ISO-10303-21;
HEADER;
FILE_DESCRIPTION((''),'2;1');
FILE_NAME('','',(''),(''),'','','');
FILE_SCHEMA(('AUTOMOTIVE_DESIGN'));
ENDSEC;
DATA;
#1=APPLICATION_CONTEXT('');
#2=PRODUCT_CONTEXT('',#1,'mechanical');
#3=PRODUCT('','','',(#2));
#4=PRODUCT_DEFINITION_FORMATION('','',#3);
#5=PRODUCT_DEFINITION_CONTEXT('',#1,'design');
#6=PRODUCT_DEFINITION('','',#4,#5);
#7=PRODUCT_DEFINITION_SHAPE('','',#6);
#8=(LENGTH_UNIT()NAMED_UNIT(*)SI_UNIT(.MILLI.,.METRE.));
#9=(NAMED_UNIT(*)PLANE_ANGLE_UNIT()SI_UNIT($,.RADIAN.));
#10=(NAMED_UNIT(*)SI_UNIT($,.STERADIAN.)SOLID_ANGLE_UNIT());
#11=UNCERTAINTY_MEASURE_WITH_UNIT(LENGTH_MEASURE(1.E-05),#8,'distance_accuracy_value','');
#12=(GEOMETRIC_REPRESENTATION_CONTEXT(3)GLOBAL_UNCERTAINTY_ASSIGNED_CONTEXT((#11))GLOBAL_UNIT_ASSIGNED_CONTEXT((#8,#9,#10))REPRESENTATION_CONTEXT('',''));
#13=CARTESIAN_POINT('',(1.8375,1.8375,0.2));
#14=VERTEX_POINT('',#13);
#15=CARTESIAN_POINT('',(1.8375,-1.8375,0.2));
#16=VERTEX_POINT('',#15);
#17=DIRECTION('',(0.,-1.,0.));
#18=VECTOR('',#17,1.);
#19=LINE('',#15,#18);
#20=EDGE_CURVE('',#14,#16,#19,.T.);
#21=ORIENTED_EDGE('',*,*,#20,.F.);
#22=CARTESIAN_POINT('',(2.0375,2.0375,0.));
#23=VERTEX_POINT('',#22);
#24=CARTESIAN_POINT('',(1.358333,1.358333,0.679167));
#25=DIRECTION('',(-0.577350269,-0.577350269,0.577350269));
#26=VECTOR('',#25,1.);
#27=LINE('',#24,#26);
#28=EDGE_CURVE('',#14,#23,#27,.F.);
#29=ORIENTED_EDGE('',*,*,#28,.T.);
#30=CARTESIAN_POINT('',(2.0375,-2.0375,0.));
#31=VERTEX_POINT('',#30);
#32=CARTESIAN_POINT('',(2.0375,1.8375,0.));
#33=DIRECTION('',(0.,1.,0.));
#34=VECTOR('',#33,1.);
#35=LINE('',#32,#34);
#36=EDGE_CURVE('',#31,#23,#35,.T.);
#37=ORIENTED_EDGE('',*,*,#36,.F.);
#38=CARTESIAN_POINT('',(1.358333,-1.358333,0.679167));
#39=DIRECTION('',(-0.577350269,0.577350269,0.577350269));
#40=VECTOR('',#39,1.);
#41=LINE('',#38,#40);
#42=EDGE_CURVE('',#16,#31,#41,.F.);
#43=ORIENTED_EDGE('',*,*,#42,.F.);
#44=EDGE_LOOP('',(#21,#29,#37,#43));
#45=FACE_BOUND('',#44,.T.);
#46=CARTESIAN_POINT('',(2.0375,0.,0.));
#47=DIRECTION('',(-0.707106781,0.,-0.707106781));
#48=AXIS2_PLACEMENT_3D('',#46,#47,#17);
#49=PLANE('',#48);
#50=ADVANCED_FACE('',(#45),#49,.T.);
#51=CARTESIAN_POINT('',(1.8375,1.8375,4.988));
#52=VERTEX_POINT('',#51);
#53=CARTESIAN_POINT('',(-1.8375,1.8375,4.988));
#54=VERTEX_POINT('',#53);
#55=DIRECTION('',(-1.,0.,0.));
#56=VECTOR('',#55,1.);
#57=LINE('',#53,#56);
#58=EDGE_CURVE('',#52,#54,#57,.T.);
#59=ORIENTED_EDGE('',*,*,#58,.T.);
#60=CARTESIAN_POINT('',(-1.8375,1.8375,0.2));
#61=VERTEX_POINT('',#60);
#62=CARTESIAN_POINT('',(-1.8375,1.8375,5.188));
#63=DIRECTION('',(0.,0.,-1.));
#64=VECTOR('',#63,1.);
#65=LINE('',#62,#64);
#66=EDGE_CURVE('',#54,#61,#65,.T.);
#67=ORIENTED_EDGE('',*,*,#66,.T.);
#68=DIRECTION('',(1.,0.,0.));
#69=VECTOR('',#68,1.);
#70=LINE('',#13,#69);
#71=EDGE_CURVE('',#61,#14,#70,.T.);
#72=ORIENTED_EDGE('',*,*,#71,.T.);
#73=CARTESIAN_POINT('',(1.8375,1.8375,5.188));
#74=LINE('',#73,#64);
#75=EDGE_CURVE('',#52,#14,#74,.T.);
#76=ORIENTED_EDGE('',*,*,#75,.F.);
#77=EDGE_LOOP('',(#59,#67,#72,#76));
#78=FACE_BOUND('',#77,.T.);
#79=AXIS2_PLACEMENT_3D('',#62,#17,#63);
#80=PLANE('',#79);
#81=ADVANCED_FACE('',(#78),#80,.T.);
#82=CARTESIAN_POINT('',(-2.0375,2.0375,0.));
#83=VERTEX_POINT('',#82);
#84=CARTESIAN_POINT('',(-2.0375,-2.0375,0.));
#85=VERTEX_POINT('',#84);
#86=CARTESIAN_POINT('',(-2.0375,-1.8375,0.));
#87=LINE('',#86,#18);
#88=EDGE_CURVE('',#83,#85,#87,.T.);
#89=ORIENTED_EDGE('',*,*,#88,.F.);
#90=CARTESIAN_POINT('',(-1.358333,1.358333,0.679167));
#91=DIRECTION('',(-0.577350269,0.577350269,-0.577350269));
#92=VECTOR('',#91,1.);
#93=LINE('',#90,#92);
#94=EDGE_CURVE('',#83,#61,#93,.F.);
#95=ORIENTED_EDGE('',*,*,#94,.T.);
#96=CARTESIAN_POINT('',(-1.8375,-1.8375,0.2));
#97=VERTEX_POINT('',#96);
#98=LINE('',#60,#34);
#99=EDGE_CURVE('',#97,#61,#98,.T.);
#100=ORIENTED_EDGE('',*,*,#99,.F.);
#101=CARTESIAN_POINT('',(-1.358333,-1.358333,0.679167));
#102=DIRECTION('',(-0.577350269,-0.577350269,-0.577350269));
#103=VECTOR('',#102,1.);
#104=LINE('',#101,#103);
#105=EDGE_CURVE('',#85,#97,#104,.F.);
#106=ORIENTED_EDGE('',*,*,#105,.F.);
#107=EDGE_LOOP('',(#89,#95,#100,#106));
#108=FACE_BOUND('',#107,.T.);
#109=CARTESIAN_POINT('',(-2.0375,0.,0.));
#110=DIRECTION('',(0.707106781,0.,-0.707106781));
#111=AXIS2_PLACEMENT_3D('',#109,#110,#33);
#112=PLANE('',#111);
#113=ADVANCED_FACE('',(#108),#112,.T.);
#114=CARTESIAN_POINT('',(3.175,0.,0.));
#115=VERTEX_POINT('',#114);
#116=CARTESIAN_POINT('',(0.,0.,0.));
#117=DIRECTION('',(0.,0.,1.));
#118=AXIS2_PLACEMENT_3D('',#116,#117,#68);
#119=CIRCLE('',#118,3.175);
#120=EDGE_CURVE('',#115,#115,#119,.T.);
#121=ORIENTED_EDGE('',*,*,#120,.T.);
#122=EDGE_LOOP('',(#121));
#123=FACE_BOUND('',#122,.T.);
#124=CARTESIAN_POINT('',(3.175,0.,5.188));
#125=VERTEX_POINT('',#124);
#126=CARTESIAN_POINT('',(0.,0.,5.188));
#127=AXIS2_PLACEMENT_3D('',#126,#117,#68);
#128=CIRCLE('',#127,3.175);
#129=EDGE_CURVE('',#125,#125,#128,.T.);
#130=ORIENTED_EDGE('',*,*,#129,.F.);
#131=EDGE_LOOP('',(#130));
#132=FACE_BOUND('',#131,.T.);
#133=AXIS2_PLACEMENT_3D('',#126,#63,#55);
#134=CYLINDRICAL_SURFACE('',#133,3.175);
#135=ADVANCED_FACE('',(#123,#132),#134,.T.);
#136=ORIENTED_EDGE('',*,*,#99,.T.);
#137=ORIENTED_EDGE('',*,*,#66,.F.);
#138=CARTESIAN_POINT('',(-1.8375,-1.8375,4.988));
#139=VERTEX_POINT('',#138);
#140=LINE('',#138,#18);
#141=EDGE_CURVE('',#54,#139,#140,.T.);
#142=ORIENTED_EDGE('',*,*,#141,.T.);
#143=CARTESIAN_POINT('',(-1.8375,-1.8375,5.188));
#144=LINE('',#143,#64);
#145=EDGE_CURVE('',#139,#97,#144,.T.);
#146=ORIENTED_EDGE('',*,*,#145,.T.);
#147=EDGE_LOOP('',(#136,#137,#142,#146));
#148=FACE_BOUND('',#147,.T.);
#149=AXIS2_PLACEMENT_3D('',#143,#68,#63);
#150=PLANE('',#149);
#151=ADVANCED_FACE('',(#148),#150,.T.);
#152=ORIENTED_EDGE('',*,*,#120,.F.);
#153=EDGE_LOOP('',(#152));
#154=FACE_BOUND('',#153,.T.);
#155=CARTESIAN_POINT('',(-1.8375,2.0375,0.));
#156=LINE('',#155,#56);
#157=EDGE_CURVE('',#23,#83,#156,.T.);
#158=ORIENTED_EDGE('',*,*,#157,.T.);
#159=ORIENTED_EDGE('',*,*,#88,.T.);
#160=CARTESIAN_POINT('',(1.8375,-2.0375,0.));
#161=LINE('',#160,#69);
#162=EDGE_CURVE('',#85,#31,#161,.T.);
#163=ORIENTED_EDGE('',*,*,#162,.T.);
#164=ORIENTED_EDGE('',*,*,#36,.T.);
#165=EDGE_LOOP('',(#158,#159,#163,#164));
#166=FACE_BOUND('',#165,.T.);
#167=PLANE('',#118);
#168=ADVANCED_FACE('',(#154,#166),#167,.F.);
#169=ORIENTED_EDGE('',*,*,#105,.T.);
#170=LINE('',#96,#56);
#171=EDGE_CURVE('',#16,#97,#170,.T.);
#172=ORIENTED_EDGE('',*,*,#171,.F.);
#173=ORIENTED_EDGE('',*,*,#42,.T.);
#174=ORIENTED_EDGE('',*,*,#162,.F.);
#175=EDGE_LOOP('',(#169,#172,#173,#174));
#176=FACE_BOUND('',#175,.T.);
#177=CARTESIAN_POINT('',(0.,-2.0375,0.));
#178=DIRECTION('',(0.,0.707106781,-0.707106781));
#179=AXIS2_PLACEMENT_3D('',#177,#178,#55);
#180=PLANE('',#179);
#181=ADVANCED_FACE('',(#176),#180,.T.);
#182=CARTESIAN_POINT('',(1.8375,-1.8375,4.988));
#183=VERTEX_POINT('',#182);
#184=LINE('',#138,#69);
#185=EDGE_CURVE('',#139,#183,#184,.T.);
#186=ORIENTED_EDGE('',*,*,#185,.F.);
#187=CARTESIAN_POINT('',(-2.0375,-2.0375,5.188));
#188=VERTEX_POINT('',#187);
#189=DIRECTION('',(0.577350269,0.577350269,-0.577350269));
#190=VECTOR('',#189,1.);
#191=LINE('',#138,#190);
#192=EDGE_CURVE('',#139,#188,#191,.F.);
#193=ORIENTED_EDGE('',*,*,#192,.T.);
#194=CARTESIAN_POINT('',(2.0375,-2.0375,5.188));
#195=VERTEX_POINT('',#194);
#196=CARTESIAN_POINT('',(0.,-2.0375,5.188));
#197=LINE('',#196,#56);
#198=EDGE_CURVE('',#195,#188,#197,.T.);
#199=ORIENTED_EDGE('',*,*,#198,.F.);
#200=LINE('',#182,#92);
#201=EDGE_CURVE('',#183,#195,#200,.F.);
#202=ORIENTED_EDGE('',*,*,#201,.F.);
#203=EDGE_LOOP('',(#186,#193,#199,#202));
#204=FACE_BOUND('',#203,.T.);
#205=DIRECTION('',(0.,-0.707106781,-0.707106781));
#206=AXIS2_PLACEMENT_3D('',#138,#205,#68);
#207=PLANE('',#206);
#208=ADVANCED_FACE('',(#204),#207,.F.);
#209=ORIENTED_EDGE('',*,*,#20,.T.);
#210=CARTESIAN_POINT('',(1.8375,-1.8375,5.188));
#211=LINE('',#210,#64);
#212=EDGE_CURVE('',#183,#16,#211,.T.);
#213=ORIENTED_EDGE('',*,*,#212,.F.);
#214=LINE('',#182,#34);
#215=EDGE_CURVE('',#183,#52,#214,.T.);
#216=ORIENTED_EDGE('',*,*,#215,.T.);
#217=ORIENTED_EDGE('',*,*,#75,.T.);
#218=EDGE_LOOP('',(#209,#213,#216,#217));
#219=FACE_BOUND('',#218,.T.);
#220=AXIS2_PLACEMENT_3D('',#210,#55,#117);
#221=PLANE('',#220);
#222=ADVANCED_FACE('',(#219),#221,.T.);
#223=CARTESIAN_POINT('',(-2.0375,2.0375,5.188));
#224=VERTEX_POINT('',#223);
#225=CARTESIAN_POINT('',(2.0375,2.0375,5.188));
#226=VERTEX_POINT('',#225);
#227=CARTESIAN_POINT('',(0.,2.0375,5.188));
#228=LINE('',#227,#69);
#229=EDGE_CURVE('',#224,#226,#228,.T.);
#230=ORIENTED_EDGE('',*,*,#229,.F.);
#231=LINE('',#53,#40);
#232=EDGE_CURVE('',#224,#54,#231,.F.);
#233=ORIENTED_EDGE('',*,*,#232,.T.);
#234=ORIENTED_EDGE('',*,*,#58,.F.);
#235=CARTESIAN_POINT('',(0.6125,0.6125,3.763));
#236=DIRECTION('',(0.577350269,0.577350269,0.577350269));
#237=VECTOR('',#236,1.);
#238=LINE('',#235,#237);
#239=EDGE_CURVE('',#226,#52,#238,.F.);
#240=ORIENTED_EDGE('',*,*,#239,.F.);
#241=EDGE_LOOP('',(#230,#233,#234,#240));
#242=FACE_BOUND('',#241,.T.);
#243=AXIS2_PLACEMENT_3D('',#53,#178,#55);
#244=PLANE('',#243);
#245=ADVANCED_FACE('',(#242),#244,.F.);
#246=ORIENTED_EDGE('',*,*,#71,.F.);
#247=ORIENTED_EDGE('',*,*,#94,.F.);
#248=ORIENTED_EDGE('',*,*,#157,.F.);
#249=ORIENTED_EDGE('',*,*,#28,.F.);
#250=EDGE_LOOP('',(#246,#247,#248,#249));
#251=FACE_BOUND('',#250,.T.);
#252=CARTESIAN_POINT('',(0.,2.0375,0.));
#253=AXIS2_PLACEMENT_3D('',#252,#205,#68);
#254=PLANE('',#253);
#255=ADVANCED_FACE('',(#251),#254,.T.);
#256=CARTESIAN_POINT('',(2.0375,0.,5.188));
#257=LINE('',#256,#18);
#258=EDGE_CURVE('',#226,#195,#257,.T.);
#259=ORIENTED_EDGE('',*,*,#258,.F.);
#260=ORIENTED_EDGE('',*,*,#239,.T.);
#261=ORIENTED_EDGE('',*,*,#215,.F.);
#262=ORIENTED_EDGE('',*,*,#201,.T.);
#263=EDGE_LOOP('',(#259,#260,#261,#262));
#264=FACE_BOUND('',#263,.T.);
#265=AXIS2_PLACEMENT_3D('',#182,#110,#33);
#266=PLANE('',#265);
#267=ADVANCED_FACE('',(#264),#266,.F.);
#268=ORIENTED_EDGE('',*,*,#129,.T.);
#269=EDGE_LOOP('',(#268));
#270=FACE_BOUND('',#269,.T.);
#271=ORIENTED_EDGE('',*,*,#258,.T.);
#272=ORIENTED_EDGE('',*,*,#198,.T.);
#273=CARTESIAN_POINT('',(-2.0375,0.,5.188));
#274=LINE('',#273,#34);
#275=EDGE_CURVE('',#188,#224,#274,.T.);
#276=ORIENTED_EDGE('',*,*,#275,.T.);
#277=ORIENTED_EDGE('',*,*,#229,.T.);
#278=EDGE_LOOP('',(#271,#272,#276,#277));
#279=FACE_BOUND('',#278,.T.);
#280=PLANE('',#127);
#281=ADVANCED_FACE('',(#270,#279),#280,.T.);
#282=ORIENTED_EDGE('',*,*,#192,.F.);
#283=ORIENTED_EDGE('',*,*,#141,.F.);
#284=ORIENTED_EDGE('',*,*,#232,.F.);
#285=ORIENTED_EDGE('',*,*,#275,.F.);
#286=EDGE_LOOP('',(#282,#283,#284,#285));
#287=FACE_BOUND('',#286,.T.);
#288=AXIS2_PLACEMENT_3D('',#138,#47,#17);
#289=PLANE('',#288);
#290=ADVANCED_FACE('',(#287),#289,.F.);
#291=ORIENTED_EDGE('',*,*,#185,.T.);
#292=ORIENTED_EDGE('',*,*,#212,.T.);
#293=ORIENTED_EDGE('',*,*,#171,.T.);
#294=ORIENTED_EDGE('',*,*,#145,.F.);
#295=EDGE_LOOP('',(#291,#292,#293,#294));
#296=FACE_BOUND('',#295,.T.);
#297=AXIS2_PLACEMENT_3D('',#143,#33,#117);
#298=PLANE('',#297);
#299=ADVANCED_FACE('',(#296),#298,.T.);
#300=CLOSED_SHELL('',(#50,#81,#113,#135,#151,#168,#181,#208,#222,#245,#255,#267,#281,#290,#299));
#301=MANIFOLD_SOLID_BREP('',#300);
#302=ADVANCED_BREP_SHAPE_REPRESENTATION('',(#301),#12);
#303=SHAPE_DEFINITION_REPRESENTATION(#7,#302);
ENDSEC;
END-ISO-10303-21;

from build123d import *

# Parameters (mm, degrees)
SKETCH1_R           = 3.175
SKETCH1_W           = 3.675
SKETCH1_H           = 3.675
BOSS_EXTRUDE1_DEPTH = 5.188
CHAMFER1_SIZE       = 0.2


with BuildPart() as part:
    # Sketch1 → Boss-Extrude1 (new body)
    with BuildSketch(Plane.XY):
        Circle(SKETCH1_R)
        Rectangle(SKETCH1_W, SKETCH1_H, mode=Mode.SUBTRACT)
    extrude(amount=BOSS_EXTRUDE1_DEPTH)

    # Chamfer1
    chamfer1_edges = [part.edges().sort_by_distance(p)[0] for p in [
        (0, -1.8375, 5.188),
        (1.8375, 0, 0),
        (0, 1.8375, 0),
        (-1.8375, 0, 0),
        (0, -1.8375, 0),
        (1.8375, 0, 5.188),
        (0, 1.8375, 5.188),
        (-1.8375, 0, 5.188),
    ]]
    chamfer(chamfer1_edges, length=CHAMFER1_SIZE)


solid = part.part
